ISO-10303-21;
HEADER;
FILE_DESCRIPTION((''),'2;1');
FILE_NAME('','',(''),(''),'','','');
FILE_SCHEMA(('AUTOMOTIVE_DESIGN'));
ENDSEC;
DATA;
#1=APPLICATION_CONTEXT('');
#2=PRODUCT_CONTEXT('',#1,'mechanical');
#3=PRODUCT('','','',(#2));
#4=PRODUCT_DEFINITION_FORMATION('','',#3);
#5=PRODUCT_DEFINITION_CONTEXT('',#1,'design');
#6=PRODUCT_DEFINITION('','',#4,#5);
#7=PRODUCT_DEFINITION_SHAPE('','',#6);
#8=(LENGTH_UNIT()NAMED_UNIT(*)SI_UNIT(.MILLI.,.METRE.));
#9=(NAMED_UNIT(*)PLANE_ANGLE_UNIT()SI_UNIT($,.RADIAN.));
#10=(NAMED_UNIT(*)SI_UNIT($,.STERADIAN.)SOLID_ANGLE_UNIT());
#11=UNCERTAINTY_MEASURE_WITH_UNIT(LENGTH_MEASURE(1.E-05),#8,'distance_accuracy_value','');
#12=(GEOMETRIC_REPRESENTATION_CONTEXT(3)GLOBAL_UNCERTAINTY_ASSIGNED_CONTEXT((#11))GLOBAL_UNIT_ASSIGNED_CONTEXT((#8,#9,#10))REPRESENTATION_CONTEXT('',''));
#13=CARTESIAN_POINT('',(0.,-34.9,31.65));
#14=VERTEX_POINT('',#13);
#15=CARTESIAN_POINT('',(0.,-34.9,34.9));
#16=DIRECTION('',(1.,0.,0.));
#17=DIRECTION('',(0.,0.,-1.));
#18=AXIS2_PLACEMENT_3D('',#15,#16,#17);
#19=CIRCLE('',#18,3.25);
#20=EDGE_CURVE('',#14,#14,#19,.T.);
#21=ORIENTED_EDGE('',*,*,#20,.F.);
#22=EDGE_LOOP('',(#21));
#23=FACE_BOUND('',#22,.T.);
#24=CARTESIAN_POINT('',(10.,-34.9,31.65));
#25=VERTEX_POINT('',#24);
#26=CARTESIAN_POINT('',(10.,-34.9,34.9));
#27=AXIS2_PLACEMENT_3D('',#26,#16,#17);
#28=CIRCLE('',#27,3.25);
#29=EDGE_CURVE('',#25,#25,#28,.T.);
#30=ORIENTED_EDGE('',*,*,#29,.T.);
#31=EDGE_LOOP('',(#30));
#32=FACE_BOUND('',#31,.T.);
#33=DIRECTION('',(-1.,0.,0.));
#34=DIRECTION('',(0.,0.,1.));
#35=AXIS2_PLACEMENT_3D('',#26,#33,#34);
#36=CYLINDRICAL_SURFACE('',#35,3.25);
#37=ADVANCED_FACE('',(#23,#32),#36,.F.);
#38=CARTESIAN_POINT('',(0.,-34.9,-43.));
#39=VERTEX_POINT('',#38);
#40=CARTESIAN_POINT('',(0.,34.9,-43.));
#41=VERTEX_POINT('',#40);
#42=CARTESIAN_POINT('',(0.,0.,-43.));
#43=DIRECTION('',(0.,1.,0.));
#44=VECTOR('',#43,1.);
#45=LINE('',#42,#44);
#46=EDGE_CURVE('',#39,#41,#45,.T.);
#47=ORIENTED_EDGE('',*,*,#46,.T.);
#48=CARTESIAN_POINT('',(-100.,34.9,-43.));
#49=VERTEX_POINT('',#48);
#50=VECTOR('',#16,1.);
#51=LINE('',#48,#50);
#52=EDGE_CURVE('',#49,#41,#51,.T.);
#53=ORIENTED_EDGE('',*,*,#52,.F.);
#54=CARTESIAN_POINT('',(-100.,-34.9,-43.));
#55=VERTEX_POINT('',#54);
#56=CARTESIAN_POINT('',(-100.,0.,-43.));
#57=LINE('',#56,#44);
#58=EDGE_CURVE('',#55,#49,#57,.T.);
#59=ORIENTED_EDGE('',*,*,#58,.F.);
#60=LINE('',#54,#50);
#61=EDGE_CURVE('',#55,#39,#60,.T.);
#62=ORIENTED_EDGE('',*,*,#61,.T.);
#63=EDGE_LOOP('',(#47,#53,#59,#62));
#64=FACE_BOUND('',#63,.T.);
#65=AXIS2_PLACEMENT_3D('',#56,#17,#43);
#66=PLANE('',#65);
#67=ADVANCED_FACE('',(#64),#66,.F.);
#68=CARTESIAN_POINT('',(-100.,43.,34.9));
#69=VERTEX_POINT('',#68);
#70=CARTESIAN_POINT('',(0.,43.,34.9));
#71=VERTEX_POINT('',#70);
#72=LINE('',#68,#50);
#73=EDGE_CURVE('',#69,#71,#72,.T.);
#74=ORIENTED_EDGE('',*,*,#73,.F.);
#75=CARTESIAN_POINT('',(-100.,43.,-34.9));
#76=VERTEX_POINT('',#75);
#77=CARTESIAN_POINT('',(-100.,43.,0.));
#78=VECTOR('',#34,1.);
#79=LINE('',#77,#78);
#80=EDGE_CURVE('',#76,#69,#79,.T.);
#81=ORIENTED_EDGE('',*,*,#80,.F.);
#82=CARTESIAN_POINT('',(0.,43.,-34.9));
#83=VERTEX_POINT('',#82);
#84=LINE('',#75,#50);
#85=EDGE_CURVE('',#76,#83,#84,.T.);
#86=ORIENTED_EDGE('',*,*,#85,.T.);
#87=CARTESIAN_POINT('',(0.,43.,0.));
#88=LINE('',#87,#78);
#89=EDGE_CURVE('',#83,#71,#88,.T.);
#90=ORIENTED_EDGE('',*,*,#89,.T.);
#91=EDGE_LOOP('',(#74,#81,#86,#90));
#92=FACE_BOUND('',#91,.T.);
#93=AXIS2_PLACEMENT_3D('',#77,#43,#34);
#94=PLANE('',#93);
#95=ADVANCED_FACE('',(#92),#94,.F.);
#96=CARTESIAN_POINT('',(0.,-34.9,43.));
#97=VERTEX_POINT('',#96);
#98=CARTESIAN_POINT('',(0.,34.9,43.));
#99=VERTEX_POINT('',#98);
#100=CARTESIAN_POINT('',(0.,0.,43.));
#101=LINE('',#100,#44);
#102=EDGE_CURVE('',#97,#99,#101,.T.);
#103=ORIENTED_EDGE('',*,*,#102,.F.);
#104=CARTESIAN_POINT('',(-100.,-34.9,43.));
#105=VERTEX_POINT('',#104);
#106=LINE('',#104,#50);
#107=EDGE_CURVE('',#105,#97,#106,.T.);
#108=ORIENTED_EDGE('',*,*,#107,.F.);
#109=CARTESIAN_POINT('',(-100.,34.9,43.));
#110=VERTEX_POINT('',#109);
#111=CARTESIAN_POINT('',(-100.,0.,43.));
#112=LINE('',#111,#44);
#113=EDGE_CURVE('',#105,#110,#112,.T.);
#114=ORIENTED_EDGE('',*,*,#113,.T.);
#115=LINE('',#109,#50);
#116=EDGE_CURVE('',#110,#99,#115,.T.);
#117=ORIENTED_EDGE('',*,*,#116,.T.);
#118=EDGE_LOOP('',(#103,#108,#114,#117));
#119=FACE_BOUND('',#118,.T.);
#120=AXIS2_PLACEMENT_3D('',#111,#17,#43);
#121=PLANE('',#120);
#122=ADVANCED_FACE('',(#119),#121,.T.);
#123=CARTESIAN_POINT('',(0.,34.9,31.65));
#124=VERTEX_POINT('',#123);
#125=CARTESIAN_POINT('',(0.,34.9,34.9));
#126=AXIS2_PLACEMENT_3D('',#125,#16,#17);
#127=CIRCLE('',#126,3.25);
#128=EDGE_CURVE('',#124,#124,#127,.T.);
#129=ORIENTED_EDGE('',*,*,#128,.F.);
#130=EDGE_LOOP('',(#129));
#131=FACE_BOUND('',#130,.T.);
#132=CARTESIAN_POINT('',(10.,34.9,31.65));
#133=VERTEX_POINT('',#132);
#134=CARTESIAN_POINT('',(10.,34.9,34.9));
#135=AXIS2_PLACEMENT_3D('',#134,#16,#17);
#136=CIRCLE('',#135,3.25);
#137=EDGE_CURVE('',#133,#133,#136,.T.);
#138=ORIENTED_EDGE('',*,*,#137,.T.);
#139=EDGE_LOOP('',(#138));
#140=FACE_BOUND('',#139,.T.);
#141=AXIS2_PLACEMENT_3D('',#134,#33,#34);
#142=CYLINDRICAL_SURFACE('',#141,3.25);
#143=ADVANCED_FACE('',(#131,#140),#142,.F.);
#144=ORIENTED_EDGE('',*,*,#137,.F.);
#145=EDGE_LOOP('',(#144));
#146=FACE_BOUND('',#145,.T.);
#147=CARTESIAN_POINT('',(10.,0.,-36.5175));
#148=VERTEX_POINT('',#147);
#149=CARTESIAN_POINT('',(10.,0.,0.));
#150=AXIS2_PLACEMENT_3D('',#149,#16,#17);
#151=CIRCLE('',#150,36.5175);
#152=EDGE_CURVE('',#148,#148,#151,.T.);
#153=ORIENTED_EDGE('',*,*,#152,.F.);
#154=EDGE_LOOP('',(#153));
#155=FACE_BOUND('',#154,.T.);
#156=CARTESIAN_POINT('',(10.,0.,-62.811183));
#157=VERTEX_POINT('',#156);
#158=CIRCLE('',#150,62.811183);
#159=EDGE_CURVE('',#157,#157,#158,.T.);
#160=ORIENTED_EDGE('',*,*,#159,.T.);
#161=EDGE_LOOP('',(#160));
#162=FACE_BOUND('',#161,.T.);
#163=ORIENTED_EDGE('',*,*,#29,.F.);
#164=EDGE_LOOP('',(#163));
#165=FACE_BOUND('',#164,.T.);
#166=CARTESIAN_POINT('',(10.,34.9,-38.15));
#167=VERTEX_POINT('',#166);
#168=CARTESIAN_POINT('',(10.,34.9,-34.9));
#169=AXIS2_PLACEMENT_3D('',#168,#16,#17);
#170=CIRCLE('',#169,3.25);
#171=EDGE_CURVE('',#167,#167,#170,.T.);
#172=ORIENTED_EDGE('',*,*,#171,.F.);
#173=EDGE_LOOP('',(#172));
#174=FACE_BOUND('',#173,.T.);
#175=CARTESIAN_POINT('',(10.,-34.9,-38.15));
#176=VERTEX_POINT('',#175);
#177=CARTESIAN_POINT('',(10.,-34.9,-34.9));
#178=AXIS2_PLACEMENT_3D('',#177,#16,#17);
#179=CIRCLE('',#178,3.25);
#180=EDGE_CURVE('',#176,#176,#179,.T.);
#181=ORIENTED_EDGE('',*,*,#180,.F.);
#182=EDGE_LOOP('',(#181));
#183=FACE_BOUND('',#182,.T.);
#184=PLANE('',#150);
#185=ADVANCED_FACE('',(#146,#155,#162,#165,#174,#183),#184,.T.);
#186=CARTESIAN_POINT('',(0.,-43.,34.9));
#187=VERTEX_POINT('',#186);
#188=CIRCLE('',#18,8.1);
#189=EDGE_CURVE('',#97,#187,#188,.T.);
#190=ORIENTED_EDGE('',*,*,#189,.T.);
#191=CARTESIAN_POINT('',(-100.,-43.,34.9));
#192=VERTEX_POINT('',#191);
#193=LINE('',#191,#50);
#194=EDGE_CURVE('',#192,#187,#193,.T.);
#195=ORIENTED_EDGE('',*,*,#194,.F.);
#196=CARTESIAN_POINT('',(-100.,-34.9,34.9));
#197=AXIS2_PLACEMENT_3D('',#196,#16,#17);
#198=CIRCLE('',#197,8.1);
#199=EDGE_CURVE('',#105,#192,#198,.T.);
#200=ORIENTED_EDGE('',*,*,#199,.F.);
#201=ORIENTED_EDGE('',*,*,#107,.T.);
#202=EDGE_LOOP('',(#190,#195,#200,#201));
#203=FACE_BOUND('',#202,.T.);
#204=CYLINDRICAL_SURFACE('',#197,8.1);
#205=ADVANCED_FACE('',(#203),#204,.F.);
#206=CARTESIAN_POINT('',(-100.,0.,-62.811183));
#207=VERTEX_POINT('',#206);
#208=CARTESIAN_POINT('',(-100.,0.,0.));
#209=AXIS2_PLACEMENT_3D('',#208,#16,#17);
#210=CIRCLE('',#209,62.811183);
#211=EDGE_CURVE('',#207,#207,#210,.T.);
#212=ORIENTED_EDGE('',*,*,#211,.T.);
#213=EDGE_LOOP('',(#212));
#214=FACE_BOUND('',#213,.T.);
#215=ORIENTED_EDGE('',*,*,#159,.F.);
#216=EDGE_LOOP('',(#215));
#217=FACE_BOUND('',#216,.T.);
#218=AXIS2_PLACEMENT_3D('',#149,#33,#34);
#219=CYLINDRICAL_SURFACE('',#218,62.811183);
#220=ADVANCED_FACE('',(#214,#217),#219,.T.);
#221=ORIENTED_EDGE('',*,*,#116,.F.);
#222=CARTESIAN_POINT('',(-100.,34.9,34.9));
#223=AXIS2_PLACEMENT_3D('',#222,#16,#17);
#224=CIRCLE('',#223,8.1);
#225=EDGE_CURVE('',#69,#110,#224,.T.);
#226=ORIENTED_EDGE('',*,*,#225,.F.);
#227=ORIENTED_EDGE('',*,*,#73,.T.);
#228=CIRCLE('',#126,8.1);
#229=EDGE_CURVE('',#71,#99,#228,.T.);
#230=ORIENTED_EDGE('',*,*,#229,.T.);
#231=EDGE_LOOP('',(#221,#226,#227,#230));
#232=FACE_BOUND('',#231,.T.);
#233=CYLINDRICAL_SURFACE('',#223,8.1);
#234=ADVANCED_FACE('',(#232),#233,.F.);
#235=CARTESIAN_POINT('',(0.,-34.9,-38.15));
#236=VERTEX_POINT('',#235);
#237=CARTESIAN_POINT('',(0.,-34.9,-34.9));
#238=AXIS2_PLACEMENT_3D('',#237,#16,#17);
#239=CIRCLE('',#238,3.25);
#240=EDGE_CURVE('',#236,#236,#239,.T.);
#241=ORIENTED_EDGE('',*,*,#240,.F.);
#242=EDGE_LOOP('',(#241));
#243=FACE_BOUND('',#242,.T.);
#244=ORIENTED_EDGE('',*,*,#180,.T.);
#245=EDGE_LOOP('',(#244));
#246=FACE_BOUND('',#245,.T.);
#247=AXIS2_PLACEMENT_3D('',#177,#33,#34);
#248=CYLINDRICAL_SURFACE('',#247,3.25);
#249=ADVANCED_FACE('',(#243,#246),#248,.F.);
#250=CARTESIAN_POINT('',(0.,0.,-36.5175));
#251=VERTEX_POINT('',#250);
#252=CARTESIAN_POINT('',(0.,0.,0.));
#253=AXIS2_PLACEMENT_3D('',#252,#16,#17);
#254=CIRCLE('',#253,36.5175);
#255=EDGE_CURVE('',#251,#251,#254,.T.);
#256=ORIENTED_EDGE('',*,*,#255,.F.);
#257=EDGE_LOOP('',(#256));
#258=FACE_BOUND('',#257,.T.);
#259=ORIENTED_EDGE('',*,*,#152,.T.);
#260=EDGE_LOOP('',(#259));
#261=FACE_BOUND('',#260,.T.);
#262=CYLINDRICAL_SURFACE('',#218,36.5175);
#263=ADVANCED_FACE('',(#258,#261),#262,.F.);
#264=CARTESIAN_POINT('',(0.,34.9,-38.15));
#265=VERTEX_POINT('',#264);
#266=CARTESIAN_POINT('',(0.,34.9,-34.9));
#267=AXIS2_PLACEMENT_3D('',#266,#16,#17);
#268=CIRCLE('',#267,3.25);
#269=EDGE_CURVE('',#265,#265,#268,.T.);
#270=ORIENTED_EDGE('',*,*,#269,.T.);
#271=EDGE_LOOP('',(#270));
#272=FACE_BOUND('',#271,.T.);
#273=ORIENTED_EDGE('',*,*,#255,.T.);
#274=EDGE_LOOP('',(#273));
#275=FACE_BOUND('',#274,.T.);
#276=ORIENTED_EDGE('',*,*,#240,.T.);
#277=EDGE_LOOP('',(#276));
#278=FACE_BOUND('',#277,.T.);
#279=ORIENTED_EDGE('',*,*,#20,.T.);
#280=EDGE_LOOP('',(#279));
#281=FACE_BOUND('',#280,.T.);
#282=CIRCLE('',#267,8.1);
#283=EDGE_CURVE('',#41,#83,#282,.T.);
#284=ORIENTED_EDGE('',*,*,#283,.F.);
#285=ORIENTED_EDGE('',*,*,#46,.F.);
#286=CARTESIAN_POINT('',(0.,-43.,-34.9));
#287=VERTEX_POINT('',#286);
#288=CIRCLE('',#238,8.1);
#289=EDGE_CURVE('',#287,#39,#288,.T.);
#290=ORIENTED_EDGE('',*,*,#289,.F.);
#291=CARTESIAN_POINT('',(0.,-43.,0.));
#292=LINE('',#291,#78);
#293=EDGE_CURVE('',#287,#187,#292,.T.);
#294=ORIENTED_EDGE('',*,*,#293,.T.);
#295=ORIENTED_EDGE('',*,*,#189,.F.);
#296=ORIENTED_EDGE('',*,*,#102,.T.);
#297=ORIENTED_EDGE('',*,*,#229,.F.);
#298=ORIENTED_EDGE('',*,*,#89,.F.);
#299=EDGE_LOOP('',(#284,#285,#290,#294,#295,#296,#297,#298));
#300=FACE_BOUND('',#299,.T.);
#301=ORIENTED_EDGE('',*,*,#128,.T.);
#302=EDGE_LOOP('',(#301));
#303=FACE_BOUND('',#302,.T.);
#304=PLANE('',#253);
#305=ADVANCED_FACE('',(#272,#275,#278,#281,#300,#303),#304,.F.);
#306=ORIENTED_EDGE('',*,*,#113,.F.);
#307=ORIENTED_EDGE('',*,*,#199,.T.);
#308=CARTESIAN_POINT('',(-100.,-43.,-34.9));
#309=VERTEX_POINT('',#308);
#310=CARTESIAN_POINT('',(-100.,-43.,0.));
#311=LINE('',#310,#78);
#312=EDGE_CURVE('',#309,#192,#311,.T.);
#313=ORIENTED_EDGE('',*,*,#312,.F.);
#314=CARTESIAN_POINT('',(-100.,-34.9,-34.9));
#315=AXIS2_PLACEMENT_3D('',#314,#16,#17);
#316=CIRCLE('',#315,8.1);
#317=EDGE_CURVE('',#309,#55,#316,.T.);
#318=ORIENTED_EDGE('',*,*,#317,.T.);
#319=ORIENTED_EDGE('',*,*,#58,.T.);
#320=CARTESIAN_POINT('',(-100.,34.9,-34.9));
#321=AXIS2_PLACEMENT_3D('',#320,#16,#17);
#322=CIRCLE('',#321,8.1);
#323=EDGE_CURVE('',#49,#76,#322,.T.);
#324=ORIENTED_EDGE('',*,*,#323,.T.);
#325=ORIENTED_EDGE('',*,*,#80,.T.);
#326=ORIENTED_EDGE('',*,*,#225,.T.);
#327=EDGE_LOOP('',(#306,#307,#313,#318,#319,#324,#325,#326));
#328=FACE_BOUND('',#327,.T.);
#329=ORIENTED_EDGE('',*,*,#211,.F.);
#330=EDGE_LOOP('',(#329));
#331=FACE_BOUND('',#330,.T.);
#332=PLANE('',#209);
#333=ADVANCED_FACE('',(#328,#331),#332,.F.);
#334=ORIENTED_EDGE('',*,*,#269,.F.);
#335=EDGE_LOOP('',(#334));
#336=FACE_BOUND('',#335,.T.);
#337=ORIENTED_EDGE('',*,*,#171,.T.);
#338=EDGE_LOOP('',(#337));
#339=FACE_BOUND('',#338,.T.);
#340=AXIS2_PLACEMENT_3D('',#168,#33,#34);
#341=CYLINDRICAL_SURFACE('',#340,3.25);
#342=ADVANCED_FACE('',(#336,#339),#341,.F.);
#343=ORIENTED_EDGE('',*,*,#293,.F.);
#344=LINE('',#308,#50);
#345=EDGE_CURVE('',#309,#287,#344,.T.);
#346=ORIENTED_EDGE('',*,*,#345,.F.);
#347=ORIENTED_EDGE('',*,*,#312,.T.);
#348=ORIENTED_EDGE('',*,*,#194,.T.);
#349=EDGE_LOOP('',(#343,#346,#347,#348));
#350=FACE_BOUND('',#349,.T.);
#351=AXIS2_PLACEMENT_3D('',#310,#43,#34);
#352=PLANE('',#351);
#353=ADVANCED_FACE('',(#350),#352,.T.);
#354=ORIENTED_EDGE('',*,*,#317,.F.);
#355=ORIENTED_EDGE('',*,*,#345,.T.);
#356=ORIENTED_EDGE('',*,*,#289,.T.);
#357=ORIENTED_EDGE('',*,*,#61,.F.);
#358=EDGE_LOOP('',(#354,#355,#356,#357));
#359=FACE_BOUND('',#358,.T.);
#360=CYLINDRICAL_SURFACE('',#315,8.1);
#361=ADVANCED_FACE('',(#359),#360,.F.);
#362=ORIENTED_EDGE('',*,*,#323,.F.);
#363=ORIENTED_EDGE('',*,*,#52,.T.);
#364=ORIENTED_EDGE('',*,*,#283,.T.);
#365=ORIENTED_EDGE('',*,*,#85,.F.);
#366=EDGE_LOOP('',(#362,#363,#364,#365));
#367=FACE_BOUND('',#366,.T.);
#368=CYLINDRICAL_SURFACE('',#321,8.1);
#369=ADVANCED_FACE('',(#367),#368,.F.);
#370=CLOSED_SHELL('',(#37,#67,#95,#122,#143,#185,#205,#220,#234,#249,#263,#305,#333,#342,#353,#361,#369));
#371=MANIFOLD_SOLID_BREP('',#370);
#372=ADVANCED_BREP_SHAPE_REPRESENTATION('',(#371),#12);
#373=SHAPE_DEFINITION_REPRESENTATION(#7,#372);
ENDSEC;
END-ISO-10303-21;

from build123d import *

# Parameters (mm, degrees)
SKETCH1_R           = 62.811183182
SKETCH1_R_2         = 3.25
SKETCH1_R_3         = 36.5175
BOSS_EXTRUDE1_DEPTH = 10
BOSS_EXTRUDE2_START = -100
SKETCH1_3_R         = 62.811183182
BOSS_EXTRUDE2_DEPTH = 100


with BuildPart() as part:
    # Sketch1 → Boss-Extrude1 (new body)
    with BuildSketch(Plane(origin=(0, 0, 0), x_dir=(0, 0, -1), z_dir=(1, 0, 0))):
        Circle(SKETCH1_R)
        with Locations((-34.9, -34.9)):
            Circle(SKETCH1_R_2, mode=Mode.SUBTRACT)
        with Locations((34.9, -34.9)):
            Circle(SKETCH1_R_2, mode=Mode.SUBTRACT)
        with Locations((-34.9, 34.9)):
            Circle(SKETCH1_R_2, mode=Mode.SUBTRACT)
        Circle(SKETCH1_R_3, mode=Mode.SUBTRACT)
        with Locations((34.9, 34.9)):
            Circle(SKETCH1_R_2, mode=Mode.SUBTRACT)
    extrude(amount=BOSS_EXTRUDE1_DEPTH)

    # Sketch1<3> → Boss-Extrude2 (add)
    with BuildSketch(Plane(origin=(0, 0, 0), x_dir=(0, 0, -1), z_dir=(1, 0, 0)).offset(BOSS_EXTRUDE2_START)):
        Circle(SKETCH1_3_R)
        with BuildLine():
            ThreePointArc((43, -34.9), (40.627564928, -40.627564928), (34.9, -43))
            Line((34.9, -43), (-34.9, -43))
            ThreePointArc((-34.9, -43), (-40.627564928, -40.627564928), (-43, -34.9))
            Line((-43, -34.9), (-43, 34.9))
            ThreePointArc((-43, 34.9), (-40.627564928, 40.627564928), (-34.9, 43))
            Line((-34.9, 43), (34.9, 43))
            ThreePointArc((34.9, 43), (40.627564928, 40.627564928), (43, 34.9))
            Line((43, 34.9), (43, -34.9))
        make_face(mode=Mode.SUBTRACT)
    extrude(amount=BOSS_EXTRUDE2_DEPTH)


solid = part.part
